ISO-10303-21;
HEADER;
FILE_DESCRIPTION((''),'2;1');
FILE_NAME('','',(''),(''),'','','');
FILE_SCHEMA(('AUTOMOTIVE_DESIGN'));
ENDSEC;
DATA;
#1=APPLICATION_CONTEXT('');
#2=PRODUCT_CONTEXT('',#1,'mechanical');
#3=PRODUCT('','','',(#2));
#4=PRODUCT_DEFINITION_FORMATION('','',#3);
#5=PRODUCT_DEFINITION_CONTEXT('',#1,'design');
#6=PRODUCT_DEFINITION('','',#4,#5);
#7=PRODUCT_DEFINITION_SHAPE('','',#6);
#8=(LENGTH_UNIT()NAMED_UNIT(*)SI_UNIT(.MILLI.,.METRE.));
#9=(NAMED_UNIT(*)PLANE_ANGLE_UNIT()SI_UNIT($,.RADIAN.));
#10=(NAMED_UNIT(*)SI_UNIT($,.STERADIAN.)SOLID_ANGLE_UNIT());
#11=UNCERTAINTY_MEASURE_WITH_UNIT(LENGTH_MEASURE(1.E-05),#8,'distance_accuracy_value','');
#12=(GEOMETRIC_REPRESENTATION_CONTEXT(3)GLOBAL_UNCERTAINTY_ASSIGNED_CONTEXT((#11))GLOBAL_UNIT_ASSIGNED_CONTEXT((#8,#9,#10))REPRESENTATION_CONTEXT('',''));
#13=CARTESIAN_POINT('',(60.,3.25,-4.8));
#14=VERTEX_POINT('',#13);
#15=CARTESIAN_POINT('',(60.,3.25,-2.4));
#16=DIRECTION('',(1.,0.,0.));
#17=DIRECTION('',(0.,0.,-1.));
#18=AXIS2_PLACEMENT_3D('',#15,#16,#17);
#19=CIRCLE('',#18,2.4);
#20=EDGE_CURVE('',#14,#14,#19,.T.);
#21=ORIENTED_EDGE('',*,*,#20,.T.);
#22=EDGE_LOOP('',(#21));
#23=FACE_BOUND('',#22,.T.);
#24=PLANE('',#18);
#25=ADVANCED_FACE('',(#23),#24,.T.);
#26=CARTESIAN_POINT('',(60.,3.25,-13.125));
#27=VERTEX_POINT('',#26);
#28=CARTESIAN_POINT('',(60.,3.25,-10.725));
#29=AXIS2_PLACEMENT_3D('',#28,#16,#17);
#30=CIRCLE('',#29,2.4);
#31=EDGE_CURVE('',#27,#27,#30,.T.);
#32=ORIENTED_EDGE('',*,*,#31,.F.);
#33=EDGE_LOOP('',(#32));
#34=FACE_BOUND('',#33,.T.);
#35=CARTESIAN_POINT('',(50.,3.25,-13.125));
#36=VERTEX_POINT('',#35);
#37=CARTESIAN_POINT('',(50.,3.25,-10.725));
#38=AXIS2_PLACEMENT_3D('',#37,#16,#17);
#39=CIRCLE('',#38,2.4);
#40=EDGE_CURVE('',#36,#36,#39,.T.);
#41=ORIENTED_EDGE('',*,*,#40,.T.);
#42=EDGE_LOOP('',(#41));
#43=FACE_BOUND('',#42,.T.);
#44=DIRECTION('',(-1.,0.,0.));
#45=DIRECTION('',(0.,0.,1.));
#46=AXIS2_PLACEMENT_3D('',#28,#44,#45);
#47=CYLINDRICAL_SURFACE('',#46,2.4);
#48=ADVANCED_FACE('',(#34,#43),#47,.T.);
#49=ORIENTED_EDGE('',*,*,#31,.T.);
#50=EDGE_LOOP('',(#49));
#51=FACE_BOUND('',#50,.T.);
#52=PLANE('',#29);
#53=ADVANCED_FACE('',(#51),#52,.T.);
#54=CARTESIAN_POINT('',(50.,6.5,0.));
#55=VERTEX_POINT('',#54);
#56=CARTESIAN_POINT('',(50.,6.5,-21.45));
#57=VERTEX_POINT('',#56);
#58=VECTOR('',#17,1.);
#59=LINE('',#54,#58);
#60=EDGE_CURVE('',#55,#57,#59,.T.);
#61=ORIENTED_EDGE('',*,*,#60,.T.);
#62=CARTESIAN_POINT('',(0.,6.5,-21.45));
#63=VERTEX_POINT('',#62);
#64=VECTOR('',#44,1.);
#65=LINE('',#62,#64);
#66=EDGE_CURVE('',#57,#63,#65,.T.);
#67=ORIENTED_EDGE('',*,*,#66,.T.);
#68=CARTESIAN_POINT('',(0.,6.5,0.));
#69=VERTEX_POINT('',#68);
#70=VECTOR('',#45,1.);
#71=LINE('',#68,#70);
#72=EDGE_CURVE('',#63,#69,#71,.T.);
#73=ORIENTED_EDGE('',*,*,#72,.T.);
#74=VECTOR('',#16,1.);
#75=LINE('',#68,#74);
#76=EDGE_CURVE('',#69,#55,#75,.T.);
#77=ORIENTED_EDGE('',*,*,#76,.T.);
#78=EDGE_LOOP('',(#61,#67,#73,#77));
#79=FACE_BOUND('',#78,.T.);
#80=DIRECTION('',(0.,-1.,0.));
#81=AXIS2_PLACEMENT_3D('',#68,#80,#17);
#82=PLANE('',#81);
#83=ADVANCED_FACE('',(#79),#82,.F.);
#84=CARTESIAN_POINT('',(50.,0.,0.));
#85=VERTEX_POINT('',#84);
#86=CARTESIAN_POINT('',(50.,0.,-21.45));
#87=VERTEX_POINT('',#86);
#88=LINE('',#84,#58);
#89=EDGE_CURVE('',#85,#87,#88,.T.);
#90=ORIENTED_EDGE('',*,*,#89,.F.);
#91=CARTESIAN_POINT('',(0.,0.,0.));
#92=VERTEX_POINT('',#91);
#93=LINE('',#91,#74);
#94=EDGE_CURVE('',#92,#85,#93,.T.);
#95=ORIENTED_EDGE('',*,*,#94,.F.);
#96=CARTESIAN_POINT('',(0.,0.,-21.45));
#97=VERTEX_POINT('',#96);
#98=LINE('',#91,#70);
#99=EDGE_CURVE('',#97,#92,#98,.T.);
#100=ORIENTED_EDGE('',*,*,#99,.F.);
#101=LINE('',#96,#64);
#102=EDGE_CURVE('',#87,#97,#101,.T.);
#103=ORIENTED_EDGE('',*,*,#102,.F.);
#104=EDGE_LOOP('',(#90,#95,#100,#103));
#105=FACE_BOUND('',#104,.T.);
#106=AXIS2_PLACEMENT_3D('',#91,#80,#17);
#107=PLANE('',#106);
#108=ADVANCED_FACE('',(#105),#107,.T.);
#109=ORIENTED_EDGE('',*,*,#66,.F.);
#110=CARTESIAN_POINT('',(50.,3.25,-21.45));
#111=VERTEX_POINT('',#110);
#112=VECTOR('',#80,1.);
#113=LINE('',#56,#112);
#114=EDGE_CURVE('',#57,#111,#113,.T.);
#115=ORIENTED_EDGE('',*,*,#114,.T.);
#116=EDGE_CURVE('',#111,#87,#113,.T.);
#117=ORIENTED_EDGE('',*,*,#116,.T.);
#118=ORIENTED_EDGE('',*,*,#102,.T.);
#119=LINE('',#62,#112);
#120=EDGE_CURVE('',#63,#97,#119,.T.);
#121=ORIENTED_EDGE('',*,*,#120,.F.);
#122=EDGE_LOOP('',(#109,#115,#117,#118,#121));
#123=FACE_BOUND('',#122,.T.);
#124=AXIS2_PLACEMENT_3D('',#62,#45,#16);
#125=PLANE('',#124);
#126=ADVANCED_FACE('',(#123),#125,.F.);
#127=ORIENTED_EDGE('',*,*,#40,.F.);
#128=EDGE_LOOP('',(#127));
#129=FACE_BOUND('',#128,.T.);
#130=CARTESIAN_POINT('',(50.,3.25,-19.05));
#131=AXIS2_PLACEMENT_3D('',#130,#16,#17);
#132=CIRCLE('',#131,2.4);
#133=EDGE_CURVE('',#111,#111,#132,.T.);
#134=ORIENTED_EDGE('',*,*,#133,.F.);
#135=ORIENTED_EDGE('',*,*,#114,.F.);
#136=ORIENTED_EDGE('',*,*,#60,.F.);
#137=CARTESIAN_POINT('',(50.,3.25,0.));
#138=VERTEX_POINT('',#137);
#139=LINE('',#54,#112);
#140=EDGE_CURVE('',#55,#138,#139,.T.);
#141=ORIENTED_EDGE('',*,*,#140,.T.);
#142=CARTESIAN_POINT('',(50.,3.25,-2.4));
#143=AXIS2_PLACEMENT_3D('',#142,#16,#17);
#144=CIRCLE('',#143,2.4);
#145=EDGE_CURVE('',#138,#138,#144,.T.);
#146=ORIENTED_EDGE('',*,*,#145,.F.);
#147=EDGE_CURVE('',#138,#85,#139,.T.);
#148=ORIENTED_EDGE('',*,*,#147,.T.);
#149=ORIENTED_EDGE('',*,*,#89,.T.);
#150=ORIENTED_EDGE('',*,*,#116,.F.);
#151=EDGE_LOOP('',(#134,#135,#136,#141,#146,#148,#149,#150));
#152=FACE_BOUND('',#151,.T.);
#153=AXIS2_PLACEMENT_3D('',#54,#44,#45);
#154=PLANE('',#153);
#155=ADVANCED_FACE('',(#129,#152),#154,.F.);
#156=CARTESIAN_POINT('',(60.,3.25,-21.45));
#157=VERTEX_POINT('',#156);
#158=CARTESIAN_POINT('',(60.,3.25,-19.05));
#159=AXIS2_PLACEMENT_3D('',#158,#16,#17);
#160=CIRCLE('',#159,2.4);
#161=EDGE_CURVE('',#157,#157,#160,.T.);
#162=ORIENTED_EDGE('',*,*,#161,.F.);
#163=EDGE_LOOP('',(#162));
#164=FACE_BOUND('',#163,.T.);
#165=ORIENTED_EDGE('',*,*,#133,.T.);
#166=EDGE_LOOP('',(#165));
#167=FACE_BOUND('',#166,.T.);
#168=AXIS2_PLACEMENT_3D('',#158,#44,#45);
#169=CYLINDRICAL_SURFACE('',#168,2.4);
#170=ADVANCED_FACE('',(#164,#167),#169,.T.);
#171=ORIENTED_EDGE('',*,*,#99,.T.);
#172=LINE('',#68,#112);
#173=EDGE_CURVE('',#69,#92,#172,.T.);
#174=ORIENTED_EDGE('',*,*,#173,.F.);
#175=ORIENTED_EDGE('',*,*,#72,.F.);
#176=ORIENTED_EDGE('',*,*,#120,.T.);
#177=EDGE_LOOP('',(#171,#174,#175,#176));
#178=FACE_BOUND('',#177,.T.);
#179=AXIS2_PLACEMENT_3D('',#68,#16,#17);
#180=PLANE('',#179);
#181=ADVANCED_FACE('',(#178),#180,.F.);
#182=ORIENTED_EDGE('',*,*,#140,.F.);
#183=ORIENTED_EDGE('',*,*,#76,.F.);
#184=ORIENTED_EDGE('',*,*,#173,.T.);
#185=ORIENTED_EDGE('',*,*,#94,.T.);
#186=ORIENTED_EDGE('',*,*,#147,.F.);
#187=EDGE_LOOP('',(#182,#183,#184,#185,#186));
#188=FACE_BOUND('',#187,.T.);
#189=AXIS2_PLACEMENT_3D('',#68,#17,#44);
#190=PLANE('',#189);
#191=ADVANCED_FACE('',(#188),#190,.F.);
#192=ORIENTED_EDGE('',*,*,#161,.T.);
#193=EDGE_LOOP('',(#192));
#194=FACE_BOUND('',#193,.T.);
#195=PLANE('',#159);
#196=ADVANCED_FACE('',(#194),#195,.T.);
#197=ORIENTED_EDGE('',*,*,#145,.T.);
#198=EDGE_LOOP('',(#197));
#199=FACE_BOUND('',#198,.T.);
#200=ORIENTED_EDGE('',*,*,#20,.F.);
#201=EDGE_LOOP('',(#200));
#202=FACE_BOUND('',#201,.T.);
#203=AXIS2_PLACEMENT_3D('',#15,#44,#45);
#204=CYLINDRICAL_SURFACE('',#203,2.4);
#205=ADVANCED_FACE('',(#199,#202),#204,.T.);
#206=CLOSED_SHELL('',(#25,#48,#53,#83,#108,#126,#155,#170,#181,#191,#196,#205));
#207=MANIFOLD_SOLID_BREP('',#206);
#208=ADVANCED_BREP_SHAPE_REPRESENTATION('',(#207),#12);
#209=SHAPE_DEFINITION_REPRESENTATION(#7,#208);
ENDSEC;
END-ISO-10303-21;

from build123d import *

# Parameters (mm, degrees)
SKETCH1_W           = 50
SKETCH1_H           = 21.45
BOSS_EXTRUDE1_DEPTH = 6.5
SKETCH2_R           = 2.4
BOSS_EXTRUDE2_DEPTH = 10


with BuildPart() as part:
    # Sketch1 → Boss-Extrude1 (new body)
    with BuildSketch(Plane(origin=(0, 0, 0), x_dir=(1, 0, 0), z_dir=(0, 1, 0))):
        with Locations((25, 10.725)):
            Rectangle(SKETCH1_W, SKETCH1_H)
    extrude(amount=BOSS_EXTRUDE1_DEPTH)

    # Sketch2 → Boss-Extrude2 (add)
    with BuildSketch(Plane(origin=(50, 0, 0), x_dir=(0, 0, -1), z_dir=(1, 0, 0))):
        with Locations((10.725, 3.25)):
            Circle(SKETCH2_R)
        with Locations(Location((2.4, 3.25, 0), (0, 0, 180))):
            Circle(SKETCH2_R)
        with Locations((19.05, 3.25)):
            Circle(SKETCH2_R)
    extrude(amount=BOSS_EXTRUDE2_DEPTH)


solid = part.part
